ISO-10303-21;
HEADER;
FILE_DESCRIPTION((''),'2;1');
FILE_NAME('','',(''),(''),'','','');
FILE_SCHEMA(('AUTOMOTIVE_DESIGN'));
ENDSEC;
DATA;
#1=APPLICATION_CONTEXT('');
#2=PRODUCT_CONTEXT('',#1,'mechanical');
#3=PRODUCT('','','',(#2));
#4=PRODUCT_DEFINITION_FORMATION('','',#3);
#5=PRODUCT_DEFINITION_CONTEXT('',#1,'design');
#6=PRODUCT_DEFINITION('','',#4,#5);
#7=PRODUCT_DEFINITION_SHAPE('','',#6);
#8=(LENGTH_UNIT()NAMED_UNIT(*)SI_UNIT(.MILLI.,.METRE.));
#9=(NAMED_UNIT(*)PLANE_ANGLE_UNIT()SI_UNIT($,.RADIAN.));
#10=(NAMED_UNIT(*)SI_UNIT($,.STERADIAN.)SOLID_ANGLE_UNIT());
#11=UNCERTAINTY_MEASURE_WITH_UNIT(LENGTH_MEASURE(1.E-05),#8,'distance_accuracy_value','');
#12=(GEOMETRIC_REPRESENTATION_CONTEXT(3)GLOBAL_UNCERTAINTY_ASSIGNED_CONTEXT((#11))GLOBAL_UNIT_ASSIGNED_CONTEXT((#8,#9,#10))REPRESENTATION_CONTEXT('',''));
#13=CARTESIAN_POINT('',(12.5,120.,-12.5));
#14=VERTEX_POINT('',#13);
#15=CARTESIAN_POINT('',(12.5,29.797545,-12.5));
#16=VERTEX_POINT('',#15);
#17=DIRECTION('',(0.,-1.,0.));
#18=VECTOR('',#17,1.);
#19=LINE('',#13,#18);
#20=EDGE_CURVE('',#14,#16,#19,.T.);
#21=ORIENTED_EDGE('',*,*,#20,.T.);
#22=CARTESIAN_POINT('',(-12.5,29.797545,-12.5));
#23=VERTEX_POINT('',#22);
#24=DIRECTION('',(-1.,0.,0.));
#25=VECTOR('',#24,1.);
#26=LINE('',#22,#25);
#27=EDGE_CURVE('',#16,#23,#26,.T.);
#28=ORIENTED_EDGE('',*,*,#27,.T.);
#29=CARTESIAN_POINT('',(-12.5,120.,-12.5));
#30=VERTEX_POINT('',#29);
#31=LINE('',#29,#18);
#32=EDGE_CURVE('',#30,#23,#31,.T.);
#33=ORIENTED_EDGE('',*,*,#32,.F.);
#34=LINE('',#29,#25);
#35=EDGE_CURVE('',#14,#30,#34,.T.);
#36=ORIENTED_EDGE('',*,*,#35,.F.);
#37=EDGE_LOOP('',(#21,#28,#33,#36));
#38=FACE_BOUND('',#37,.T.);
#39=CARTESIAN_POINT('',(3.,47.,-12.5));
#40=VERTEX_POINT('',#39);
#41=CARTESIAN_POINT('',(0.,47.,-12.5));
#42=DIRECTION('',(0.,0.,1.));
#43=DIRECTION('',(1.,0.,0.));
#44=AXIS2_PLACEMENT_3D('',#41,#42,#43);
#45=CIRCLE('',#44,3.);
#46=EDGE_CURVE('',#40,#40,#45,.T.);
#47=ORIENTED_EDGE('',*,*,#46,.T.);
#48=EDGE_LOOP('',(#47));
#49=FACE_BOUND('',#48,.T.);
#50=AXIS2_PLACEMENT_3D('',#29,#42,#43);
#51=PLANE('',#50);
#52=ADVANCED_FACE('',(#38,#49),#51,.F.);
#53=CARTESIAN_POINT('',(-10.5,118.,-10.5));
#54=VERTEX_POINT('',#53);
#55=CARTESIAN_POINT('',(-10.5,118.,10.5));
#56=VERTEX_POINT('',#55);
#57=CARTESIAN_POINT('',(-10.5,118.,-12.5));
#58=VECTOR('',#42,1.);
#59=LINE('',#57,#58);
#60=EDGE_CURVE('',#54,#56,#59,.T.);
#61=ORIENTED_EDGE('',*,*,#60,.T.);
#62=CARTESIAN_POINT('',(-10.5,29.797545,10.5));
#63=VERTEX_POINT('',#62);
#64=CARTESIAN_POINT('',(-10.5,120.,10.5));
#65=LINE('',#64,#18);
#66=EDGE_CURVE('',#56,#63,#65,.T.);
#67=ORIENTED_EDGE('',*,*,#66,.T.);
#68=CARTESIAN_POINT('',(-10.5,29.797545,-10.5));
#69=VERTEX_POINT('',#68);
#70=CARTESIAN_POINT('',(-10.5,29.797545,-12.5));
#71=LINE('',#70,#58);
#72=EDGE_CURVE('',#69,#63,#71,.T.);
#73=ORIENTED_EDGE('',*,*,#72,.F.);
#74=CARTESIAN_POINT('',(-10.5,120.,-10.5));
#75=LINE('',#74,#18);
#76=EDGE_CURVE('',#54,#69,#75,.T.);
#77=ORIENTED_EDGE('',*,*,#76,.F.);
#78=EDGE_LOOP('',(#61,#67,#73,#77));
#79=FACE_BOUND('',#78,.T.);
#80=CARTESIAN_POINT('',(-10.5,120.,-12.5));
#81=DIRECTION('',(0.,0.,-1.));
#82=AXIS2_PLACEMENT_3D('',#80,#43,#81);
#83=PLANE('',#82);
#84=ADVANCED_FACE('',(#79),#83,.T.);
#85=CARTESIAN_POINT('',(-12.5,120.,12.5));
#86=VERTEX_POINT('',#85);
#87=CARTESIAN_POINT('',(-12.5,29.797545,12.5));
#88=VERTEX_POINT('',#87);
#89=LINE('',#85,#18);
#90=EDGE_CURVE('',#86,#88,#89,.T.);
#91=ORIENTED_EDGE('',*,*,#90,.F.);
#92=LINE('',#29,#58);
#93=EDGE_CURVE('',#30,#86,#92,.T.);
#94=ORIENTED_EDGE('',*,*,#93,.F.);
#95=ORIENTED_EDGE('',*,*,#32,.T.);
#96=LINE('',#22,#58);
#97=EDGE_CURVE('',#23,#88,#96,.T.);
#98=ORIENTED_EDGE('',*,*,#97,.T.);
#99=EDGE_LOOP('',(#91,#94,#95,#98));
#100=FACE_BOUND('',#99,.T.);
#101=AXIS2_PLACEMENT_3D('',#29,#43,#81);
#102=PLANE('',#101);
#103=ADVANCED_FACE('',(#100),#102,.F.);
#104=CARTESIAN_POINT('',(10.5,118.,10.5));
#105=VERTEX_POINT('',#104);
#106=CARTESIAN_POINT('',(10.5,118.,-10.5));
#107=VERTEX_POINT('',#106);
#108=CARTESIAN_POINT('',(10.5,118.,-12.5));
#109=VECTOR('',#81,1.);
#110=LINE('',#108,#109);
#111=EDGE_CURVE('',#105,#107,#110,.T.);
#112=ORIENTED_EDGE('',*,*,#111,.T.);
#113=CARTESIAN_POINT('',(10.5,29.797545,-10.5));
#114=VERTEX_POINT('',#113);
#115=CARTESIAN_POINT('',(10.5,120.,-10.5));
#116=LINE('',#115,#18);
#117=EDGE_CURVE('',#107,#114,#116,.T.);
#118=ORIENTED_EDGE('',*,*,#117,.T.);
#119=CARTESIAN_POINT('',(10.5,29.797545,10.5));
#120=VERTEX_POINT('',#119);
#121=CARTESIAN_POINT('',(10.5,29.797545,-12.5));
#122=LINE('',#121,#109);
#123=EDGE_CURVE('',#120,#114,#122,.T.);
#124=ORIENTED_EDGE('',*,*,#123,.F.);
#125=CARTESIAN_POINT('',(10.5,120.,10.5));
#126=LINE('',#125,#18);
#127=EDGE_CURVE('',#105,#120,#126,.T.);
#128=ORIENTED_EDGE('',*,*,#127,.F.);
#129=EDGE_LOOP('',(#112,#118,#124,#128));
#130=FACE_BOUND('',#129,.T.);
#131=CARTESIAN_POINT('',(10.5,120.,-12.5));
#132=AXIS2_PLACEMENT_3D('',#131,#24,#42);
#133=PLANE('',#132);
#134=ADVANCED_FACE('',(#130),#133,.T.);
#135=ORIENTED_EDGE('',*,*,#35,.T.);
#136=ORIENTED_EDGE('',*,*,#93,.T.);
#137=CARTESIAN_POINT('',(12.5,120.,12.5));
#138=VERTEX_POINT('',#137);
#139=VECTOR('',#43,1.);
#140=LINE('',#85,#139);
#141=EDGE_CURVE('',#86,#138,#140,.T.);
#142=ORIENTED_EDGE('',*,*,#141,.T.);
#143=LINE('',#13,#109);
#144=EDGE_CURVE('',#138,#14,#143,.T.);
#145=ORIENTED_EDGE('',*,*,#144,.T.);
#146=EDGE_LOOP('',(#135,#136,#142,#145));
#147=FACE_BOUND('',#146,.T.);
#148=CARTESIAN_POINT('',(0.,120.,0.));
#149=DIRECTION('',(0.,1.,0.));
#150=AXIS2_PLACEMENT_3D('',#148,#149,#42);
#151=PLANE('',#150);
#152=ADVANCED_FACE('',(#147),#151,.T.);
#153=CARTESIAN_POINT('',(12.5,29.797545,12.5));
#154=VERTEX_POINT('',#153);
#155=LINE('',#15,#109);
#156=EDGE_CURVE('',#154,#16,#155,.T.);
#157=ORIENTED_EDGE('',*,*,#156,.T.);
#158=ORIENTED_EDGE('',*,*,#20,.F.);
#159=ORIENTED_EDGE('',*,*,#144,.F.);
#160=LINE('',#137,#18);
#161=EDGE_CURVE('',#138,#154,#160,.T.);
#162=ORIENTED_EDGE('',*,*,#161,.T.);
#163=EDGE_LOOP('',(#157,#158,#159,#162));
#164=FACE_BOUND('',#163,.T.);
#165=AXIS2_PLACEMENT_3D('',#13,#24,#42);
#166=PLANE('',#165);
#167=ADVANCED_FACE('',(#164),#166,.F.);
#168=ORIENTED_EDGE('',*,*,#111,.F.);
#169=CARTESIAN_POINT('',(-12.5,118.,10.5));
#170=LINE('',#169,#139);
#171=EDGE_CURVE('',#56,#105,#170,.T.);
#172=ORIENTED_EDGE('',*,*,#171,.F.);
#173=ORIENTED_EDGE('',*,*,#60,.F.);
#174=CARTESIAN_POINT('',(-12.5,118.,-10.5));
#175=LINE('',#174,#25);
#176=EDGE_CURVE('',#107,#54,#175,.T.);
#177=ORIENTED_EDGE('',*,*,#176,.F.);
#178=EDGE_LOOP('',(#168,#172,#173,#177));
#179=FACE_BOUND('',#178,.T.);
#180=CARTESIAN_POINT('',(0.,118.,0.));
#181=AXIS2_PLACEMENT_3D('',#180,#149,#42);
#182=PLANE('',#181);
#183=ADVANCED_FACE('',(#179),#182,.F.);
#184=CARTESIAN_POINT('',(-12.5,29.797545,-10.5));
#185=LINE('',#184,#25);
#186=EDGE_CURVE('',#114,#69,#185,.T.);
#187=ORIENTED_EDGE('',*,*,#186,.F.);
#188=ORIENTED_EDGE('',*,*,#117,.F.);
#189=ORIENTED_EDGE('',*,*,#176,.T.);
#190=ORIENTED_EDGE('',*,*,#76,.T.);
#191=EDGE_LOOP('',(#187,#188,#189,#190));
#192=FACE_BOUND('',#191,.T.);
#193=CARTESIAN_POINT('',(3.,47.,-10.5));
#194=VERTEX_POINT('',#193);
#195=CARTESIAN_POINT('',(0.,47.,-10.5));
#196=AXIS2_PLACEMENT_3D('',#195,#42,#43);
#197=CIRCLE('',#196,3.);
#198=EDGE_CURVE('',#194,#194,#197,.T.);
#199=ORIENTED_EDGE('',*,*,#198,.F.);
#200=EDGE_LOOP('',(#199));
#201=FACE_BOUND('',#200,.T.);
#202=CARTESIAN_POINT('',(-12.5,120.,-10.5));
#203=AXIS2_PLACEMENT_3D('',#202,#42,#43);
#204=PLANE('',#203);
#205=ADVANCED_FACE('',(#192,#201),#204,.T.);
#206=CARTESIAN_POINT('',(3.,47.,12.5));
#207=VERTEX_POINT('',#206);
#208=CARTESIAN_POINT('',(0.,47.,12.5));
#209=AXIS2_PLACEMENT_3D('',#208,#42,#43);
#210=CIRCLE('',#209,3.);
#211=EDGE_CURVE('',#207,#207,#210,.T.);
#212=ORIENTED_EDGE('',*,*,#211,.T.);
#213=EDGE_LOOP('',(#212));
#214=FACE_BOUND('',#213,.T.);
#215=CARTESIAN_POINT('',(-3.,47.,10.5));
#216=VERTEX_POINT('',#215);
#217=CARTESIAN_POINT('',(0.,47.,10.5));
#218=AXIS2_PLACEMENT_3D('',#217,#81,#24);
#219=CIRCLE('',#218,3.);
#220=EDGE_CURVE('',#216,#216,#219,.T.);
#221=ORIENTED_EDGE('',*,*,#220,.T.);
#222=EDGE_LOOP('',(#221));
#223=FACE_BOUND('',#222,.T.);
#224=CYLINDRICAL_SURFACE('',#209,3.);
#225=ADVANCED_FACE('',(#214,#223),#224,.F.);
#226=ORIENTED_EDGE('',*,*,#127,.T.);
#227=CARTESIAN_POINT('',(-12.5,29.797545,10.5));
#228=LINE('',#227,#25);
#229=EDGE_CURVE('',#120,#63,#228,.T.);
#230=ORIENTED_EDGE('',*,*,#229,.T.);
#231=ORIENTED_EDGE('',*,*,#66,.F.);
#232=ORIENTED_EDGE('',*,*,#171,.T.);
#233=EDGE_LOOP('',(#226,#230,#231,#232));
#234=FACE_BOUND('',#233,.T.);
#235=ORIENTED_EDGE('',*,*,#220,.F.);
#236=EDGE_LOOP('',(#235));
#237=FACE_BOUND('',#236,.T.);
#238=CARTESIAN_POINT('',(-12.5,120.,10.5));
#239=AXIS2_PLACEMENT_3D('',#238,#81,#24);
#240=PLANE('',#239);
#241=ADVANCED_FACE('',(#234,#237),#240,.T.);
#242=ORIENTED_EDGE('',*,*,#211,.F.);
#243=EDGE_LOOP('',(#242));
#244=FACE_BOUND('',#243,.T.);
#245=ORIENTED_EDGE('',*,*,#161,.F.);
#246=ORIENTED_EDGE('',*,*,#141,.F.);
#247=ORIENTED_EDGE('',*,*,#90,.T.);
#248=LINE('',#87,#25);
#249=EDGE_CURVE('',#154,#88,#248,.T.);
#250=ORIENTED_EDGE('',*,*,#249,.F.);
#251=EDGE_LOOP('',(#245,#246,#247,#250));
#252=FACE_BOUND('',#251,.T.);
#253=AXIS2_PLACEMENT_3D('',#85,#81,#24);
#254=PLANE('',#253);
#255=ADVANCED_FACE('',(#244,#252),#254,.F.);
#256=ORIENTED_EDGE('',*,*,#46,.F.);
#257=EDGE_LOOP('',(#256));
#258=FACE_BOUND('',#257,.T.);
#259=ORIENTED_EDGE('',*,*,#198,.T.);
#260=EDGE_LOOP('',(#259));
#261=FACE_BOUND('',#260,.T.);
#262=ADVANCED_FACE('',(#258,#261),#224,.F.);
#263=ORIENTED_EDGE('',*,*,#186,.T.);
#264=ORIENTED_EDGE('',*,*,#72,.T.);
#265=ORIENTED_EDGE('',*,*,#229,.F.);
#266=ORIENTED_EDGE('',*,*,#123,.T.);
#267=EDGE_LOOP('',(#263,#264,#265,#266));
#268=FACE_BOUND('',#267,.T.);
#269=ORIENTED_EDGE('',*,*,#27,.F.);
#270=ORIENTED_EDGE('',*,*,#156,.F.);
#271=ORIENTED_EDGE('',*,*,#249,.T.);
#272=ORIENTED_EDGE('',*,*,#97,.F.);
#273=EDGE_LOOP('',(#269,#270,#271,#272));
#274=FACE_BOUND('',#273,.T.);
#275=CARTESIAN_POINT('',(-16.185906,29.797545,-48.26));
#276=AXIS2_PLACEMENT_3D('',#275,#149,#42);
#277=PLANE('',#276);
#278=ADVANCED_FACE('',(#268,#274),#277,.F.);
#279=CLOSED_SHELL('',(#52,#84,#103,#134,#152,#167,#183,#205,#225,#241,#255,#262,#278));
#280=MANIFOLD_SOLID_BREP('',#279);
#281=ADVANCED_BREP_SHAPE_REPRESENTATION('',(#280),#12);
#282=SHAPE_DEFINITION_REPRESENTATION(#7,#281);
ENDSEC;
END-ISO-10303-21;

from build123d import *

# Parameters (mm, degrees)
SKETCH1_W                = 25.000000038
SKETCH1_H                = 25.000000038
BOSS_EXTRUDE1_DEPTH      = 120
SHELL1_T                 = -2
F_6_0_6_DIAMETER_HOLE1_D = 6
SKETCH6_W                = 35.234136461
SKETCH6_H                = 40.928418781
CUT_EXTRUDE1_DEPTH       = 48.26
CUT_EXTRUDE2_DEPTH       = 48.26
CUT_EXTRUDE2_DEPTH_BACK  = 48.26
SKETCH6_2_W              = 35.234136461
SKETCH6_2_H              = 40.928418781


with BuildPart() as part:
    # Sketch1 → Boss-Extrude1 (new body)
    with BuildSketch(Plane(origin=(0, 0, 0), x_dir=(1, 0, 0), z_dir=(0, 1, 0))):
        Rectangle(SKETCH1_W, SKETCH1_H)
    extrude(amount=BOSS_EXTRUDE1_DEPTH)

    # Shell1
    shell1_openings = [part.faces().sort_by_distance(p)[0] for p in [
        (0, 0, 0),
    ]]
    offset(amount=SHELL1_T, openings=shell1_openings, kind=Kind.INTERSECTION)

    # Ø6.0 (6) Diameter Hole1 (through all)
    with Locations(Plane.XY.offset(12.500000019)):
        with Locations((0, 46.99999998)):
            Hole(F_6_0_6_DIAMETER_HOLE1_D / 2)

    # Sketch6 → Cut-Extrude1 (cut)
    with BuildSketch(Plane.XY):
        with Locations((1.431161847, 9.333336088)):
            Rectangle(SKETCH6_W, SKETCH6_H)
    extrude(amount=-CUT_EXTRUDE1_DEPTH, mode=Mode.SUBTRACT)

    # Sketch6<2> → Cut-Extrude2 (cut, two sides: drawn at the far end of the back side and taken through both)
    with BuildSketch(Plane.XY.offset(-CUT_EXTRUDE2_DEPTH_BACK)):
        with Locations((1.431161847, 9.333336088)):
            Rectangle(SKETCH6_2_W, SKETCH6_2_H)
    extrude(amount=CUT_EXTRUDE2_DEPTH + CUT_EXTRUDE2_DEPTH_BACK, mode=Mode.SUBTRACT)


solid = part.part
